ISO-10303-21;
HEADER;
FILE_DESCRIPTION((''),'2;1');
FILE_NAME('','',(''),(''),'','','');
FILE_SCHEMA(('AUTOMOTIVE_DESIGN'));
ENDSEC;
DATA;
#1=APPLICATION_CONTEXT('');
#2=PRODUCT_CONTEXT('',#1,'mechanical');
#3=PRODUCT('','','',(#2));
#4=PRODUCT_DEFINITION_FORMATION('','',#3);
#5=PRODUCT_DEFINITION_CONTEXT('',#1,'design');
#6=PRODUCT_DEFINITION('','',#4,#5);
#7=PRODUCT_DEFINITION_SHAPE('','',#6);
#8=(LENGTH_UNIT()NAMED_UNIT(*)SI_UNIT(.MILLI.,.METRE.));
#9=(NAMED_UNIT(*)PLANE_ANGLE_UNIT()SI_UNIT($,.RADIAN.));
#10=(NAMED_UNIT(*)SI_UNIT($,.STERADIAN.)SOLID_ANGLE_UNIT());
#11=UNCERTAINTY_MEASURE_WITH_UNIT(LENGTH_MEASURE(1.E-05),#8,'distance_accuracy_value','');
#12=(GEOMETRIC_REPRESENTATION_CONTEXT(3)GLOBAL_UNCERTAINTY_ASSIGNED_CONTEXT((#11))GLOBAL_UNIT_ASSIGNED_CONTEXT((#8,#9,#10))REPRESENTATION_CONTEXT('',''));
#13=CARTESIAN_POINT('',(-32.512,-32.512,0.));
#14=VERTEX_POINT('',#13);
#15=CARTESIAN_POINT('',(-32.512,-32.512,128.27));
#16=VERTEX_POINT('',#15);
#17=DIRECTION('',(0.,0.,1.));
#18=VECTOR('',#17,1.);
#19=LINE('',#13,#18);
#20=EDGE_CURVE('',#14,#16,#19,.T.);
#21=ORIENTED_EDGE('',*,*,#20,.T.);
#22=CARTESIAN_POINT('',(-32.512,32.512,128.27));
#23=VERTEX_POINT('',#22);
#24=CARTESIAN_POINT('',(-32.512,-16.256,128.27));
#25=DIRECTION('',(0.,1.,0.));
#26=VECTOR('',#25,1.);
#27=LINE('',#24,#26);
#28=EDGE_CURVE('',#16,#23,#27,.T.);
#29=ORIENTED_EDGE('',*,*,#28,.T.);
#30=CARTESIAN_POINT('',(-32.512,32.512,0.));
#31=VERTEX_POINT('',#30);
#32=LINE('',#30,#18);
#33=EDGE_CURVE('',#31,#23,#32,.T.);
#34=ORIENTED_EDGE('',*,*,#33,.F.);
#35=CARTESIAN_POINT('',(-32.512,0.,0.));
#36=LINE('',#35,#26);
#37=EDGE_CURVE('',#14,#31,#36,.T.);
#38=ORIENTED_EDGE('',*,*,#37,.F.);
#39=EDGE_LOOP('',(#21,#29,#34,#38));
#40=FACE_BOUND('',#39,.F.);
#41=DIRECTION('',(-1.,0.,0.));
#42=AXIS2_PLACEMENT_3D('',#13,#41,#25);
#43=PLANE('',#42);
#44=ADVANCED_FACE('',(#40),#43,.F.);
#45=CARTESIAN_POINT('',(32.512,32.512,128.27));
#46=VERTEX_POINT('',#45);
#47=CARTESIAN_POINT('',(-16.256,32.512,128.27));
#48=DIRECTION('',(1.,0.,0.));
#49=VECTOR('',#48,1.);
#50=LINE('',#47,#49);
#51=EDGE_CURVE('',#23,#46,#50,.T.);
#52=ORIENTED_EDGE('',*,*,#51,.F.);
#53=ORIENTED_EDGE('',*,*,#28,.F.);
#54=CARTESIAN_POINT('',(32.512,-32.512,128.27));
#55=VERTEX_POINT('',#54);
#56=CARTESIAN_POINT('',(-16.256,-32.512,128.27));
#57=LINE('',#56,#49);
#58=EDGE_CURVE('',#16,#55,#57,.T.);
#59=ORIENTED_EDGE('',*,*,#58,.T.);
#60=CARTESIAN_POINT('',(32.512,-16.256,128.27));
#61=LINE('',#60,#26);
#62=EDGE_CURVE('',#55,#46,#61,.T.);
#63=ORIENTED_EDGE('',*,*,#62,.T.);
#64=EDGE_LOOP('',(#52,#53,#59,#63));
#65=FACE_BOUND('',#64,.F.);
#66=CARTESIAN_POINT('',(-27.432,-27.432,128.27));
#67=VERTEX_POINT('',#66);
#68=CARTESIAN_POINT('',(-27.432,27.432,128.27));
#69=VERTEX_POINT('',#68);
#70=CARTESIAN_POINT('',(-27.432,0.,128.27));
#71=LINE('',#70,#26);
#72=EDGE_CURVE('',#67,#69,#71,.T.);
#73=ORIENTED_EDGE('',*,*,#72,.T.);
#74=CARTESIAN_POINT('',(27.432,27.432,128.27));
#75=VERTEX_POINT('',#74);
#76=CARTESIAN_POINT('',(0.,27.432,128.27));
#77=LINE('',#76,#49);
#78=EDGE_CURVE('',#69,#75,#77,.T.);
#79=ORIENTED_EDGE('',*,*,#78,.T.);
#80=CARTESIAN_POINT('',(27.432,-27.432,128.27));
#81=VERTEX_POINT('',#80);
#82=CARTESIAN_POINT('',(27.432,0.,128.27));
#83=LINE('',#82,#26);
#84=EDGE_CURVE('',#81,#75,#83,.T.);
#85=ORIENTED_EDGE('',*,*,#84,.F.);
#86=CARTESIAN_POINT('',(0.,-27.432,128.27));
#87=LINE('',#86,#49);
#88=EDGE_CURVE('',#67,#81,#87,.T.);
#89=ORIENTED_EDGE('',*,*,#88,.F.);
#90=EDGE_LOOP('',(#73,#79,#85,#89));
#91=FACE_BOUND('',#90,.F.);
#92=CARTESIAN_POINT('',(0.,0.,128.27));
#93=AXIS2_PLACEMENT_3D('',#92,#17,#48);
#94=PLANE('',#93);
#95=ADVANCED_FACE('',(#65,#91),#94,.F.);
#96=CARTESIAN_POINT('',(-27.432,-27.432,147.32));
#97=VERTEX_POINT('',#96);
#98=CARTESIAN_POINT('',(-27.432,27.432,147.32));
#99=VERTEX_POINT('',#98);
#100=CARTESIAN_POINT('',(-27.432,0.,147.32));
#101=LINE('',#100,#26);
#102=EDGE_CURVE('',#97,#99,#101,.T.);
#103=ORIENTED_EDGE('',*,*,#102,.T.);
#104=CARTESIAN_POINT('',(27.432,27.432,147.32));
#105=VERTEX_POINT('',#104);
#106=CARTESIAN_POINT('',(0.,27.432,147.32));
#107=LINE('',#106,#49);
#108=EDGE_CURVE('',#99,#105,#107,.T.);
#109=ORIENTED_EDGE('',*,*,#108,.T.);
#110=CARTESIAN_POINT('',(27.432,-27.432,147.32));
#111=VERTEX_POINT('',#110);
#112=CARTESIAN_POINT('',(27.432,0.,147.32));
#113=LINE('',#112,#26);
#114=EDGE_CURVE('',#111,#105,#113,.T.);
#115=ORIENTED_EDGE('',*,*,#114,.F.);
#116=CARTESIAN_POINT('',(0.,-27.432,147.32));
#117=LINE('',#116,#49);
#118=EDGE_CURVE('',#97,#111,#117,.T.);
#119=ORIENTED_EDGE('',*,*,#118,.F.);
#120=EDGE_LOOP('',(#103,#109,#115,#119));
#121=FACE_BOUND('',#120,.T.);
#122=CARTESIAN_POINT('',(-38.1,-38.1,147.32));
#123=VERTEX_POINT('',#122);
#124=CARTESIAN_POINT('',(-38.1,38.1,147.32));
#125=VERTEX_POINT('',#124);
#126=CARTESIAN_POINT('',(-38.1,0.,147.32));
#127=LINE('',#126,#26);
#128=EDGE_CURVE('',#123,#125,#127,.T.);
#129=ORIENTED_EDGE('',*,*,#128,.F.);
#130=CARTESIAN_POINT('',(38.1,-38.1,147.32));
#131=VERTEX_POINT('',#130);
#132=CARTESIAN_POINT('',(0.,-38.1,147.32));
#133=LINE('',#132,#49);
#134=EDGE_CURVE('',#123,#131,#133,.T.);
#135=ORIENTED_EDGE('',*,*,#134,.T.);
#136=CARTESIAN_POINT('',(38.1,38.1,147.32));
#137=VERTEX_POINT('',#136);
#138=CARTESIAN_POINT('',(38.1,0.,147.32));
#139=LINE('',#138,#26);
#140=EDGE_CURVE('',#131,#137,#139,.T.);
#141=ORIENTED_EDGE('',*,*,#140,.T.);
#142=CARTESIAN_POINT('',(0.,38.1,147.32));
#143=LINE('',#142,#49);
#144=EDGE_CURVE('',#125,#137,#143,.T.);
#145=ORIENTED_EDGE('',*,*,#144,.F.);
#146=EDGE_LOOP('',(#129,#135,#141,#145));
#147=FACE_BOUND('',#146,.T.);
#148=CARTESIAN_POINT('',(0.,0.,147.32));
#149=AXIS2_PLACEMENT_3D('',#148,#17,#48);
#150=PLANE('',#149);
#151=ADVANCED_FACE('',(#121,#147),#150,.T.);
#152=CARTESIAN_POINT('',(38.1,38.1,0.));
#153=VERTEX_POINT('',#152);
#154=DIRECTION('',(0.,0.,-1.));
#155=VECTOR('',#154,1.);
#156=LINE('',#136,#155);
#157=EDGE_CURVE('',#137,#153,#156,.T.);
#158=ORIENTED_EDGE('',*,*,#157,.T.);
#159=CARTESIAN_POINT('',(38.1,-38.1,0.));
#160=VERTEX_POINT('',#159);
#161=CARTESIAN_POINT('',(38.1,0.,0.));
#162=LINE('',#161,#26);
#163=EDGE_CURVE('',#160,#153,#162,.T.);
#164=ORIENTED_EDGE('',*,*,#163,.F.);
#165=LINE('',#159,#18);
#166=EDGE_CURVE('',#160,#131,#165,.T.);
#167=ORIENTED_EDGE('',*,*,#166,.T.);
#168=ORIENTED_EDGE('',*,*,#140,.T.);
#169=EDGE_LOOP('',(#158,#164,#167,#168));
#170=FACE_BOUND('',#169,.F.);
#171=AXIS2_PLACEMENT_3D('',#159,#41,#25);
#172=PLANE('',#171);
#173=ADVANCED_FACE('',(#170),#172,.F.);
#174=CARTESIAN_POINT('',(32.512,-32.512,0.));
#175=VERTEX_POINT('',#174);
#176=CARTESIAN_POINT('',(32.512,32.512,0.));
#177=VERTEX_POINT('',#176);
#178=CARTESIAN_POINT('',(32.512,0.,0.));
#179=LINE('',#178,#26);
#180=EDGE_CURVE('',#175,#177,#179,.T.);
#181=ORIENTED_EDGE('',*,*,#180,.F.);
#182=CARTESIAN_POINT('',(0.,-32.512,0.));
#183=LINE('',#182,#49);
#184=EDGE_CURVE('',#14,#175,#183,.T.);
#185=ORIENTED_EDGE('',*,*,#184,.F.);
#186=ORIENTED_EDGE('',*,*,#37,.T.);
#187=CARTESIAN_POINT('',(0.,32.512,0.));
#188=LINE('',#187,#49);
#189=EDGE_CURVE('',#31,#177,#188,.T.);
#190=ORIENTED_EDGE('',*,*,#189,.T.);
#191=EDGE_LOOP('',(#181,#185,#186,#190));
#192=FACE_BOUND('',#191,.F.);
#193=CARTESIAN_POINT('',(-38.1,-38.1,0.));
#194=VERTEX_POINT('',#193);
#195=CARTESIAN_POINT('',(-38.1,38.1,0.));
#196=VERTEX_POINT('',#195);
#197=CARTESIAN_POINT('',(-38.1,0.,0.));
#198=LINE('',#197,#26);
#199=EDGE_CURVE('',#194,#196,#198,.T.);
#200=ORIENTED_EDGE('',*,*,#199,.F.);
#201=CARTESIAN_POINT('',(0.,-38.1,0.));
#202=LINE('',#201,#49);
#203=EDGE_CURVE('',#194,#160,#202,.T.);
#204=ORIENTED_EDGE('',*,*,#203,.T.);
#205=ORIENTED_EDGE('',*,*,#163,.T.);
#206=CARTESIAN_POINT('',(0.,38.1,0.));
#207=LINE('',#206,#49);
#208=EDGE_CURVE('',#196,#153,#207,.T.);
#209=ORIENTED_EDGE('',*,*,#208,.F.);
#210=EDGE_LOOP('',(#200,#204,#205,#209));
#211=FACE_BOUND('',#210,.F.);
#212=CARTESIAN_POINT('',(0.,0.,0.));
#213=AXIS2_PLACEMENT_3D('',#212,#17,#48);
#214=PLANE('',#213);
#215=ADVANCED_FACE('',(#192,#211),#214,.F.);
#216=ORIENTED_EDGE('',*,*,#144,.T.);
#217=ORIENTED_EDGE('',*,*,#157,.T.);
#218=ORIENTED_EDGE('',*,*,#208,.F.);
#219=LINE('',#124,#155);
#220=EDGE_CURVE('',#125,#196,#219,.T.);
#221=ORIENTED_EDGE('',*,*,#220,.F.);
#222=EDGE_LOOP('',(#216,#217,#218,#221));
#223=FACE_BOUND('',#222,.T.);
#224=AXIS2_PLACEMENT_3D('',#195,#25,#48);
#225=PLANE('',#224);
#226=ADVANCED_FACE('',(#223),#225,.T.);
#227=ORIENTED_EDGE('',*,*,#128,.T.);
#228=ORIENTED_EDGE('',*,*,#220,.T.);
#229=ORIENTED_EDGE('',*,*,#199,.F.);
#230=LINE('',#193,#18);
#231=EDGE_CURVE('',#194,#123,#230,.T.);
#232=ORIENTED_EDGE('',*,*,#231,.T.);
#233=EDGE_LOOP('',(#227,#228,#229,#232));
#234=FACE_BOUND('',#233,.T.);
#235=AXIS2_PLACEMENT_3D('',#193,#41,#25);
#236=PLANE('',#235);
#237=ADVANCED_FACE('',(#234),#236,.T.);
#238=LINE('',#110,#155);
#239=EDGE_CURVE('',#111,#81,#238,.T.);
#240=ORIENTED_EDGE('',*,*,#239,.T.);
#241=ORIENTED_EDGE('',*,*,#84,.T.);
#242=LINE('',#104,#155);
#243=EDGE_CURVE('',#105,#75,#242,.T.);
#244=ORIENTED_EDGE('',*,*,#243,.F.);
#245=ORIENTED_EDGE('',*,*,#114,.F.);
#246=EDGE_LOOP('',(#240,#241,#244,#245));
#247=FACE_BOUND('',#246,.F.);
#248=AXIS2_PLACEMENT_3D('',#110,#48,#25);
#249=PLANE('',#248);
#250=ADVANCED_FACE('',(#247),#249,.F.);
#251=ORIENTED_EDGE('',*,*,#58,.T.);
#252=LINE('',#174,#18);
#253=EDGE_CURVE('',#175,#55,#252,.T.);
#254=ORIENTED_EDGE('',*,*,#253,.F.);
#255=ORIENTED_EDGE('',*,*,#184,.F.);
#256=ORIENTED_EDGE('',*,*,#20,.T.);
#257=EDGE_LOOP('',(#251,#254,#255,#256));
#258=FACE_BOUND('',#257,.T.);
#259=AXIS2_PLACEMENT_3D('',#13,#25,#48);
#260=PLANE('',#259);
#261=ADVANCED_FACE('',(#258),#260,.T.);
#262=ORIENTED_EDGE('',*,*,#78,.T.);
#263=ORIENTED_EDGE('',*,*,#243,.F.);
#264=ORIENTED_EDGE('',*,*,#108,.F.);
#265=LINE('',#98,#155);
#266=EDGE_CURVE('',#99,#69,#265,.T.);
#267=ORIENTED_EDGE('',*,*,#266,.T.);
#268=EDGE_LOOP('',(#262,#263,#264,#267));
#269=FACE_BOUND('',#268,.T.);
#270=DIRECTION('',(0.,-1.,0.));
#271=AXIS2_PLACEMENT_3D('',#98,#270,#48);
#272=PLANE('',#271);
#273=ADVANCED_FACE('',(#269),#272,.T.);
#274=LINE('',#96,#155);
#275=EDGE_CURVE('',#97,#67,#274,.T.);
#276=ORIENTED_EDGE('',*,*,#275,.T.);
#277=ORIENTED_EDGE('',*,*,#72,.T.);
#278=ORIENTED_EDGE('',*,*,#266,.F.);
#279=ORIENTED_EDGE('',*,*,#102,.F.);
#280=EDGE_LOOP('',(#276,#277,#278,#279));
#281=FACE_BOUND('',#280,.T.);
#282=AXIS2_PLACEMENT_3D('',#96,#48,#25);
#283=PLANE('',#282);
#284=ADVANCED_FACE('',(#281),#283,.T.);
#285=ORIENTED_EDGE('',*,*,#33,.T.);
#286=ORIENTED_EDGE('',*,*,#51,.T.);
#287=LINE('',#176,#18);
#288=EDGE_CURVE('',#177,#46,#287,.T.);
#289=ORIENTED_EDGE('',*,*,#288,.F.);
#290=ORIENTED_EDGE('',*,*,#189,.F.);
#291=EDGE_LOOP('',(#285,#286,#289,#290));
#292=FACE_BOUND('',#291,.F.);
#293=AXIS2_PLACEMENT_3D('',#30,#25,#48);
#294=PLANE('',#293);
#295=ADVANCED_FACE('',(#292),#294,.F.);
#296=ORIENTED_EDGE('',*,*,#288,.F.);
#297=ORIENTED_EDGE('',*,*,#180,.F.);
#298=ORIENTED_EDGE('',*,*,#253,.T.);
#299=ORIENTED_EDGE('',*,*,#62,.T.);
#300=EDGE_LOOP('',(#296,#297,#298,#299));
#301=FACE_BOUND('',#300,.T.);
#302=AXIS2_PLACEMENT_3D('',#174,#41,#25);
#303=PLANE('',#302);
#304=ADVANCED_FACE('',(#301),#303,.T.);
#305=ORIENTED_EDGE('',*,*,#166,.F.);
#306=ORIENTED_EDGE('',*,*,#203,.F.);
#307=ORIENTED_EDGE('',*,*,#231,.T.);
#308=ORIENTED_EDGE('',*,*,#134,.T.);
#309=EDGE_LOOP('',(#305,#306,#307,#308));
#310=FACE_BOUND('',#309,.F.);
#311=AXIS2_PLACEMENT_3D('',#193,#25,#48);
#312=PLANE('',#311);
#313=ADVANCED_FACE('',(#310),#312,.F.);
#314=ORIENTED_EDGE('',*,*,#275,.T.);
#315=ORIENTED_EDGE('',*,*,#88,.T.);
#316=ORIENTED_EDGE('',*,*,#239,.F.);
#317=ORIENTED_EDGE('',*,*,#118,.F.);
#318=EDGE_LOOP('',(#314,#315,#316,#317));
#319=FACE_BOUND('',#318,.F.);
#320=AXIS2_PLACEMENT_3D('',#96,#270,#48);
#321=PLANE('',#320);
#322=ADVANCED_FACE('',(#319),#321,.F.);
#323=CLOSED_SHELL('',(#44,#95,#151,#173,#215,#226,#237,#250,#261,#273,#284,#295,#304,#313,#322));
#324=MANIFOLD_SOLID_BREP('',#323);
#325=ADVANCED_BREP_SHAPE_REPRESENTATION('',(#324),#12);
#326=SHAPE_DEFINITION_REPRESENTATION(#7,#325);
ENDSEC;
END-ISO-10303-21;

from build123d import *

# Parameters (mm, degrees)
F0_W     = 76.2
F0_H     = 76.2
F0_W_2   = 65.024
F0_H_2   = 65.024
F1_DEPTH = 147.32
F2_W     = 76.2
F2_H     = 76.2
F2_W_2   = 54.864
F2_H_2   = 54.864
F3_DEPTH = 19.05


with BuildPart() as f1:
    # F0 (on Top) → F1 (new body)
    with BuildSketch(Plane.XY):
        Rectangle(F0_W, F0_H)
        Rectangle(F0_W_2, F0_H_2, mode=Mode.SUBTRACT)
    extrude(amount=F1_DEPTH)

    # F2 (on face) → F3 (join)
    with BuildSketch(Plane.XY.offset(147.32)):
        Rectangle(F2_W, F2_H)
        Rectangle(F2_W_2, F2_H_2, mode=Mode.SUBTRACT)
    extrude(amount=-F3_DEPTH)


solid = f1.part
